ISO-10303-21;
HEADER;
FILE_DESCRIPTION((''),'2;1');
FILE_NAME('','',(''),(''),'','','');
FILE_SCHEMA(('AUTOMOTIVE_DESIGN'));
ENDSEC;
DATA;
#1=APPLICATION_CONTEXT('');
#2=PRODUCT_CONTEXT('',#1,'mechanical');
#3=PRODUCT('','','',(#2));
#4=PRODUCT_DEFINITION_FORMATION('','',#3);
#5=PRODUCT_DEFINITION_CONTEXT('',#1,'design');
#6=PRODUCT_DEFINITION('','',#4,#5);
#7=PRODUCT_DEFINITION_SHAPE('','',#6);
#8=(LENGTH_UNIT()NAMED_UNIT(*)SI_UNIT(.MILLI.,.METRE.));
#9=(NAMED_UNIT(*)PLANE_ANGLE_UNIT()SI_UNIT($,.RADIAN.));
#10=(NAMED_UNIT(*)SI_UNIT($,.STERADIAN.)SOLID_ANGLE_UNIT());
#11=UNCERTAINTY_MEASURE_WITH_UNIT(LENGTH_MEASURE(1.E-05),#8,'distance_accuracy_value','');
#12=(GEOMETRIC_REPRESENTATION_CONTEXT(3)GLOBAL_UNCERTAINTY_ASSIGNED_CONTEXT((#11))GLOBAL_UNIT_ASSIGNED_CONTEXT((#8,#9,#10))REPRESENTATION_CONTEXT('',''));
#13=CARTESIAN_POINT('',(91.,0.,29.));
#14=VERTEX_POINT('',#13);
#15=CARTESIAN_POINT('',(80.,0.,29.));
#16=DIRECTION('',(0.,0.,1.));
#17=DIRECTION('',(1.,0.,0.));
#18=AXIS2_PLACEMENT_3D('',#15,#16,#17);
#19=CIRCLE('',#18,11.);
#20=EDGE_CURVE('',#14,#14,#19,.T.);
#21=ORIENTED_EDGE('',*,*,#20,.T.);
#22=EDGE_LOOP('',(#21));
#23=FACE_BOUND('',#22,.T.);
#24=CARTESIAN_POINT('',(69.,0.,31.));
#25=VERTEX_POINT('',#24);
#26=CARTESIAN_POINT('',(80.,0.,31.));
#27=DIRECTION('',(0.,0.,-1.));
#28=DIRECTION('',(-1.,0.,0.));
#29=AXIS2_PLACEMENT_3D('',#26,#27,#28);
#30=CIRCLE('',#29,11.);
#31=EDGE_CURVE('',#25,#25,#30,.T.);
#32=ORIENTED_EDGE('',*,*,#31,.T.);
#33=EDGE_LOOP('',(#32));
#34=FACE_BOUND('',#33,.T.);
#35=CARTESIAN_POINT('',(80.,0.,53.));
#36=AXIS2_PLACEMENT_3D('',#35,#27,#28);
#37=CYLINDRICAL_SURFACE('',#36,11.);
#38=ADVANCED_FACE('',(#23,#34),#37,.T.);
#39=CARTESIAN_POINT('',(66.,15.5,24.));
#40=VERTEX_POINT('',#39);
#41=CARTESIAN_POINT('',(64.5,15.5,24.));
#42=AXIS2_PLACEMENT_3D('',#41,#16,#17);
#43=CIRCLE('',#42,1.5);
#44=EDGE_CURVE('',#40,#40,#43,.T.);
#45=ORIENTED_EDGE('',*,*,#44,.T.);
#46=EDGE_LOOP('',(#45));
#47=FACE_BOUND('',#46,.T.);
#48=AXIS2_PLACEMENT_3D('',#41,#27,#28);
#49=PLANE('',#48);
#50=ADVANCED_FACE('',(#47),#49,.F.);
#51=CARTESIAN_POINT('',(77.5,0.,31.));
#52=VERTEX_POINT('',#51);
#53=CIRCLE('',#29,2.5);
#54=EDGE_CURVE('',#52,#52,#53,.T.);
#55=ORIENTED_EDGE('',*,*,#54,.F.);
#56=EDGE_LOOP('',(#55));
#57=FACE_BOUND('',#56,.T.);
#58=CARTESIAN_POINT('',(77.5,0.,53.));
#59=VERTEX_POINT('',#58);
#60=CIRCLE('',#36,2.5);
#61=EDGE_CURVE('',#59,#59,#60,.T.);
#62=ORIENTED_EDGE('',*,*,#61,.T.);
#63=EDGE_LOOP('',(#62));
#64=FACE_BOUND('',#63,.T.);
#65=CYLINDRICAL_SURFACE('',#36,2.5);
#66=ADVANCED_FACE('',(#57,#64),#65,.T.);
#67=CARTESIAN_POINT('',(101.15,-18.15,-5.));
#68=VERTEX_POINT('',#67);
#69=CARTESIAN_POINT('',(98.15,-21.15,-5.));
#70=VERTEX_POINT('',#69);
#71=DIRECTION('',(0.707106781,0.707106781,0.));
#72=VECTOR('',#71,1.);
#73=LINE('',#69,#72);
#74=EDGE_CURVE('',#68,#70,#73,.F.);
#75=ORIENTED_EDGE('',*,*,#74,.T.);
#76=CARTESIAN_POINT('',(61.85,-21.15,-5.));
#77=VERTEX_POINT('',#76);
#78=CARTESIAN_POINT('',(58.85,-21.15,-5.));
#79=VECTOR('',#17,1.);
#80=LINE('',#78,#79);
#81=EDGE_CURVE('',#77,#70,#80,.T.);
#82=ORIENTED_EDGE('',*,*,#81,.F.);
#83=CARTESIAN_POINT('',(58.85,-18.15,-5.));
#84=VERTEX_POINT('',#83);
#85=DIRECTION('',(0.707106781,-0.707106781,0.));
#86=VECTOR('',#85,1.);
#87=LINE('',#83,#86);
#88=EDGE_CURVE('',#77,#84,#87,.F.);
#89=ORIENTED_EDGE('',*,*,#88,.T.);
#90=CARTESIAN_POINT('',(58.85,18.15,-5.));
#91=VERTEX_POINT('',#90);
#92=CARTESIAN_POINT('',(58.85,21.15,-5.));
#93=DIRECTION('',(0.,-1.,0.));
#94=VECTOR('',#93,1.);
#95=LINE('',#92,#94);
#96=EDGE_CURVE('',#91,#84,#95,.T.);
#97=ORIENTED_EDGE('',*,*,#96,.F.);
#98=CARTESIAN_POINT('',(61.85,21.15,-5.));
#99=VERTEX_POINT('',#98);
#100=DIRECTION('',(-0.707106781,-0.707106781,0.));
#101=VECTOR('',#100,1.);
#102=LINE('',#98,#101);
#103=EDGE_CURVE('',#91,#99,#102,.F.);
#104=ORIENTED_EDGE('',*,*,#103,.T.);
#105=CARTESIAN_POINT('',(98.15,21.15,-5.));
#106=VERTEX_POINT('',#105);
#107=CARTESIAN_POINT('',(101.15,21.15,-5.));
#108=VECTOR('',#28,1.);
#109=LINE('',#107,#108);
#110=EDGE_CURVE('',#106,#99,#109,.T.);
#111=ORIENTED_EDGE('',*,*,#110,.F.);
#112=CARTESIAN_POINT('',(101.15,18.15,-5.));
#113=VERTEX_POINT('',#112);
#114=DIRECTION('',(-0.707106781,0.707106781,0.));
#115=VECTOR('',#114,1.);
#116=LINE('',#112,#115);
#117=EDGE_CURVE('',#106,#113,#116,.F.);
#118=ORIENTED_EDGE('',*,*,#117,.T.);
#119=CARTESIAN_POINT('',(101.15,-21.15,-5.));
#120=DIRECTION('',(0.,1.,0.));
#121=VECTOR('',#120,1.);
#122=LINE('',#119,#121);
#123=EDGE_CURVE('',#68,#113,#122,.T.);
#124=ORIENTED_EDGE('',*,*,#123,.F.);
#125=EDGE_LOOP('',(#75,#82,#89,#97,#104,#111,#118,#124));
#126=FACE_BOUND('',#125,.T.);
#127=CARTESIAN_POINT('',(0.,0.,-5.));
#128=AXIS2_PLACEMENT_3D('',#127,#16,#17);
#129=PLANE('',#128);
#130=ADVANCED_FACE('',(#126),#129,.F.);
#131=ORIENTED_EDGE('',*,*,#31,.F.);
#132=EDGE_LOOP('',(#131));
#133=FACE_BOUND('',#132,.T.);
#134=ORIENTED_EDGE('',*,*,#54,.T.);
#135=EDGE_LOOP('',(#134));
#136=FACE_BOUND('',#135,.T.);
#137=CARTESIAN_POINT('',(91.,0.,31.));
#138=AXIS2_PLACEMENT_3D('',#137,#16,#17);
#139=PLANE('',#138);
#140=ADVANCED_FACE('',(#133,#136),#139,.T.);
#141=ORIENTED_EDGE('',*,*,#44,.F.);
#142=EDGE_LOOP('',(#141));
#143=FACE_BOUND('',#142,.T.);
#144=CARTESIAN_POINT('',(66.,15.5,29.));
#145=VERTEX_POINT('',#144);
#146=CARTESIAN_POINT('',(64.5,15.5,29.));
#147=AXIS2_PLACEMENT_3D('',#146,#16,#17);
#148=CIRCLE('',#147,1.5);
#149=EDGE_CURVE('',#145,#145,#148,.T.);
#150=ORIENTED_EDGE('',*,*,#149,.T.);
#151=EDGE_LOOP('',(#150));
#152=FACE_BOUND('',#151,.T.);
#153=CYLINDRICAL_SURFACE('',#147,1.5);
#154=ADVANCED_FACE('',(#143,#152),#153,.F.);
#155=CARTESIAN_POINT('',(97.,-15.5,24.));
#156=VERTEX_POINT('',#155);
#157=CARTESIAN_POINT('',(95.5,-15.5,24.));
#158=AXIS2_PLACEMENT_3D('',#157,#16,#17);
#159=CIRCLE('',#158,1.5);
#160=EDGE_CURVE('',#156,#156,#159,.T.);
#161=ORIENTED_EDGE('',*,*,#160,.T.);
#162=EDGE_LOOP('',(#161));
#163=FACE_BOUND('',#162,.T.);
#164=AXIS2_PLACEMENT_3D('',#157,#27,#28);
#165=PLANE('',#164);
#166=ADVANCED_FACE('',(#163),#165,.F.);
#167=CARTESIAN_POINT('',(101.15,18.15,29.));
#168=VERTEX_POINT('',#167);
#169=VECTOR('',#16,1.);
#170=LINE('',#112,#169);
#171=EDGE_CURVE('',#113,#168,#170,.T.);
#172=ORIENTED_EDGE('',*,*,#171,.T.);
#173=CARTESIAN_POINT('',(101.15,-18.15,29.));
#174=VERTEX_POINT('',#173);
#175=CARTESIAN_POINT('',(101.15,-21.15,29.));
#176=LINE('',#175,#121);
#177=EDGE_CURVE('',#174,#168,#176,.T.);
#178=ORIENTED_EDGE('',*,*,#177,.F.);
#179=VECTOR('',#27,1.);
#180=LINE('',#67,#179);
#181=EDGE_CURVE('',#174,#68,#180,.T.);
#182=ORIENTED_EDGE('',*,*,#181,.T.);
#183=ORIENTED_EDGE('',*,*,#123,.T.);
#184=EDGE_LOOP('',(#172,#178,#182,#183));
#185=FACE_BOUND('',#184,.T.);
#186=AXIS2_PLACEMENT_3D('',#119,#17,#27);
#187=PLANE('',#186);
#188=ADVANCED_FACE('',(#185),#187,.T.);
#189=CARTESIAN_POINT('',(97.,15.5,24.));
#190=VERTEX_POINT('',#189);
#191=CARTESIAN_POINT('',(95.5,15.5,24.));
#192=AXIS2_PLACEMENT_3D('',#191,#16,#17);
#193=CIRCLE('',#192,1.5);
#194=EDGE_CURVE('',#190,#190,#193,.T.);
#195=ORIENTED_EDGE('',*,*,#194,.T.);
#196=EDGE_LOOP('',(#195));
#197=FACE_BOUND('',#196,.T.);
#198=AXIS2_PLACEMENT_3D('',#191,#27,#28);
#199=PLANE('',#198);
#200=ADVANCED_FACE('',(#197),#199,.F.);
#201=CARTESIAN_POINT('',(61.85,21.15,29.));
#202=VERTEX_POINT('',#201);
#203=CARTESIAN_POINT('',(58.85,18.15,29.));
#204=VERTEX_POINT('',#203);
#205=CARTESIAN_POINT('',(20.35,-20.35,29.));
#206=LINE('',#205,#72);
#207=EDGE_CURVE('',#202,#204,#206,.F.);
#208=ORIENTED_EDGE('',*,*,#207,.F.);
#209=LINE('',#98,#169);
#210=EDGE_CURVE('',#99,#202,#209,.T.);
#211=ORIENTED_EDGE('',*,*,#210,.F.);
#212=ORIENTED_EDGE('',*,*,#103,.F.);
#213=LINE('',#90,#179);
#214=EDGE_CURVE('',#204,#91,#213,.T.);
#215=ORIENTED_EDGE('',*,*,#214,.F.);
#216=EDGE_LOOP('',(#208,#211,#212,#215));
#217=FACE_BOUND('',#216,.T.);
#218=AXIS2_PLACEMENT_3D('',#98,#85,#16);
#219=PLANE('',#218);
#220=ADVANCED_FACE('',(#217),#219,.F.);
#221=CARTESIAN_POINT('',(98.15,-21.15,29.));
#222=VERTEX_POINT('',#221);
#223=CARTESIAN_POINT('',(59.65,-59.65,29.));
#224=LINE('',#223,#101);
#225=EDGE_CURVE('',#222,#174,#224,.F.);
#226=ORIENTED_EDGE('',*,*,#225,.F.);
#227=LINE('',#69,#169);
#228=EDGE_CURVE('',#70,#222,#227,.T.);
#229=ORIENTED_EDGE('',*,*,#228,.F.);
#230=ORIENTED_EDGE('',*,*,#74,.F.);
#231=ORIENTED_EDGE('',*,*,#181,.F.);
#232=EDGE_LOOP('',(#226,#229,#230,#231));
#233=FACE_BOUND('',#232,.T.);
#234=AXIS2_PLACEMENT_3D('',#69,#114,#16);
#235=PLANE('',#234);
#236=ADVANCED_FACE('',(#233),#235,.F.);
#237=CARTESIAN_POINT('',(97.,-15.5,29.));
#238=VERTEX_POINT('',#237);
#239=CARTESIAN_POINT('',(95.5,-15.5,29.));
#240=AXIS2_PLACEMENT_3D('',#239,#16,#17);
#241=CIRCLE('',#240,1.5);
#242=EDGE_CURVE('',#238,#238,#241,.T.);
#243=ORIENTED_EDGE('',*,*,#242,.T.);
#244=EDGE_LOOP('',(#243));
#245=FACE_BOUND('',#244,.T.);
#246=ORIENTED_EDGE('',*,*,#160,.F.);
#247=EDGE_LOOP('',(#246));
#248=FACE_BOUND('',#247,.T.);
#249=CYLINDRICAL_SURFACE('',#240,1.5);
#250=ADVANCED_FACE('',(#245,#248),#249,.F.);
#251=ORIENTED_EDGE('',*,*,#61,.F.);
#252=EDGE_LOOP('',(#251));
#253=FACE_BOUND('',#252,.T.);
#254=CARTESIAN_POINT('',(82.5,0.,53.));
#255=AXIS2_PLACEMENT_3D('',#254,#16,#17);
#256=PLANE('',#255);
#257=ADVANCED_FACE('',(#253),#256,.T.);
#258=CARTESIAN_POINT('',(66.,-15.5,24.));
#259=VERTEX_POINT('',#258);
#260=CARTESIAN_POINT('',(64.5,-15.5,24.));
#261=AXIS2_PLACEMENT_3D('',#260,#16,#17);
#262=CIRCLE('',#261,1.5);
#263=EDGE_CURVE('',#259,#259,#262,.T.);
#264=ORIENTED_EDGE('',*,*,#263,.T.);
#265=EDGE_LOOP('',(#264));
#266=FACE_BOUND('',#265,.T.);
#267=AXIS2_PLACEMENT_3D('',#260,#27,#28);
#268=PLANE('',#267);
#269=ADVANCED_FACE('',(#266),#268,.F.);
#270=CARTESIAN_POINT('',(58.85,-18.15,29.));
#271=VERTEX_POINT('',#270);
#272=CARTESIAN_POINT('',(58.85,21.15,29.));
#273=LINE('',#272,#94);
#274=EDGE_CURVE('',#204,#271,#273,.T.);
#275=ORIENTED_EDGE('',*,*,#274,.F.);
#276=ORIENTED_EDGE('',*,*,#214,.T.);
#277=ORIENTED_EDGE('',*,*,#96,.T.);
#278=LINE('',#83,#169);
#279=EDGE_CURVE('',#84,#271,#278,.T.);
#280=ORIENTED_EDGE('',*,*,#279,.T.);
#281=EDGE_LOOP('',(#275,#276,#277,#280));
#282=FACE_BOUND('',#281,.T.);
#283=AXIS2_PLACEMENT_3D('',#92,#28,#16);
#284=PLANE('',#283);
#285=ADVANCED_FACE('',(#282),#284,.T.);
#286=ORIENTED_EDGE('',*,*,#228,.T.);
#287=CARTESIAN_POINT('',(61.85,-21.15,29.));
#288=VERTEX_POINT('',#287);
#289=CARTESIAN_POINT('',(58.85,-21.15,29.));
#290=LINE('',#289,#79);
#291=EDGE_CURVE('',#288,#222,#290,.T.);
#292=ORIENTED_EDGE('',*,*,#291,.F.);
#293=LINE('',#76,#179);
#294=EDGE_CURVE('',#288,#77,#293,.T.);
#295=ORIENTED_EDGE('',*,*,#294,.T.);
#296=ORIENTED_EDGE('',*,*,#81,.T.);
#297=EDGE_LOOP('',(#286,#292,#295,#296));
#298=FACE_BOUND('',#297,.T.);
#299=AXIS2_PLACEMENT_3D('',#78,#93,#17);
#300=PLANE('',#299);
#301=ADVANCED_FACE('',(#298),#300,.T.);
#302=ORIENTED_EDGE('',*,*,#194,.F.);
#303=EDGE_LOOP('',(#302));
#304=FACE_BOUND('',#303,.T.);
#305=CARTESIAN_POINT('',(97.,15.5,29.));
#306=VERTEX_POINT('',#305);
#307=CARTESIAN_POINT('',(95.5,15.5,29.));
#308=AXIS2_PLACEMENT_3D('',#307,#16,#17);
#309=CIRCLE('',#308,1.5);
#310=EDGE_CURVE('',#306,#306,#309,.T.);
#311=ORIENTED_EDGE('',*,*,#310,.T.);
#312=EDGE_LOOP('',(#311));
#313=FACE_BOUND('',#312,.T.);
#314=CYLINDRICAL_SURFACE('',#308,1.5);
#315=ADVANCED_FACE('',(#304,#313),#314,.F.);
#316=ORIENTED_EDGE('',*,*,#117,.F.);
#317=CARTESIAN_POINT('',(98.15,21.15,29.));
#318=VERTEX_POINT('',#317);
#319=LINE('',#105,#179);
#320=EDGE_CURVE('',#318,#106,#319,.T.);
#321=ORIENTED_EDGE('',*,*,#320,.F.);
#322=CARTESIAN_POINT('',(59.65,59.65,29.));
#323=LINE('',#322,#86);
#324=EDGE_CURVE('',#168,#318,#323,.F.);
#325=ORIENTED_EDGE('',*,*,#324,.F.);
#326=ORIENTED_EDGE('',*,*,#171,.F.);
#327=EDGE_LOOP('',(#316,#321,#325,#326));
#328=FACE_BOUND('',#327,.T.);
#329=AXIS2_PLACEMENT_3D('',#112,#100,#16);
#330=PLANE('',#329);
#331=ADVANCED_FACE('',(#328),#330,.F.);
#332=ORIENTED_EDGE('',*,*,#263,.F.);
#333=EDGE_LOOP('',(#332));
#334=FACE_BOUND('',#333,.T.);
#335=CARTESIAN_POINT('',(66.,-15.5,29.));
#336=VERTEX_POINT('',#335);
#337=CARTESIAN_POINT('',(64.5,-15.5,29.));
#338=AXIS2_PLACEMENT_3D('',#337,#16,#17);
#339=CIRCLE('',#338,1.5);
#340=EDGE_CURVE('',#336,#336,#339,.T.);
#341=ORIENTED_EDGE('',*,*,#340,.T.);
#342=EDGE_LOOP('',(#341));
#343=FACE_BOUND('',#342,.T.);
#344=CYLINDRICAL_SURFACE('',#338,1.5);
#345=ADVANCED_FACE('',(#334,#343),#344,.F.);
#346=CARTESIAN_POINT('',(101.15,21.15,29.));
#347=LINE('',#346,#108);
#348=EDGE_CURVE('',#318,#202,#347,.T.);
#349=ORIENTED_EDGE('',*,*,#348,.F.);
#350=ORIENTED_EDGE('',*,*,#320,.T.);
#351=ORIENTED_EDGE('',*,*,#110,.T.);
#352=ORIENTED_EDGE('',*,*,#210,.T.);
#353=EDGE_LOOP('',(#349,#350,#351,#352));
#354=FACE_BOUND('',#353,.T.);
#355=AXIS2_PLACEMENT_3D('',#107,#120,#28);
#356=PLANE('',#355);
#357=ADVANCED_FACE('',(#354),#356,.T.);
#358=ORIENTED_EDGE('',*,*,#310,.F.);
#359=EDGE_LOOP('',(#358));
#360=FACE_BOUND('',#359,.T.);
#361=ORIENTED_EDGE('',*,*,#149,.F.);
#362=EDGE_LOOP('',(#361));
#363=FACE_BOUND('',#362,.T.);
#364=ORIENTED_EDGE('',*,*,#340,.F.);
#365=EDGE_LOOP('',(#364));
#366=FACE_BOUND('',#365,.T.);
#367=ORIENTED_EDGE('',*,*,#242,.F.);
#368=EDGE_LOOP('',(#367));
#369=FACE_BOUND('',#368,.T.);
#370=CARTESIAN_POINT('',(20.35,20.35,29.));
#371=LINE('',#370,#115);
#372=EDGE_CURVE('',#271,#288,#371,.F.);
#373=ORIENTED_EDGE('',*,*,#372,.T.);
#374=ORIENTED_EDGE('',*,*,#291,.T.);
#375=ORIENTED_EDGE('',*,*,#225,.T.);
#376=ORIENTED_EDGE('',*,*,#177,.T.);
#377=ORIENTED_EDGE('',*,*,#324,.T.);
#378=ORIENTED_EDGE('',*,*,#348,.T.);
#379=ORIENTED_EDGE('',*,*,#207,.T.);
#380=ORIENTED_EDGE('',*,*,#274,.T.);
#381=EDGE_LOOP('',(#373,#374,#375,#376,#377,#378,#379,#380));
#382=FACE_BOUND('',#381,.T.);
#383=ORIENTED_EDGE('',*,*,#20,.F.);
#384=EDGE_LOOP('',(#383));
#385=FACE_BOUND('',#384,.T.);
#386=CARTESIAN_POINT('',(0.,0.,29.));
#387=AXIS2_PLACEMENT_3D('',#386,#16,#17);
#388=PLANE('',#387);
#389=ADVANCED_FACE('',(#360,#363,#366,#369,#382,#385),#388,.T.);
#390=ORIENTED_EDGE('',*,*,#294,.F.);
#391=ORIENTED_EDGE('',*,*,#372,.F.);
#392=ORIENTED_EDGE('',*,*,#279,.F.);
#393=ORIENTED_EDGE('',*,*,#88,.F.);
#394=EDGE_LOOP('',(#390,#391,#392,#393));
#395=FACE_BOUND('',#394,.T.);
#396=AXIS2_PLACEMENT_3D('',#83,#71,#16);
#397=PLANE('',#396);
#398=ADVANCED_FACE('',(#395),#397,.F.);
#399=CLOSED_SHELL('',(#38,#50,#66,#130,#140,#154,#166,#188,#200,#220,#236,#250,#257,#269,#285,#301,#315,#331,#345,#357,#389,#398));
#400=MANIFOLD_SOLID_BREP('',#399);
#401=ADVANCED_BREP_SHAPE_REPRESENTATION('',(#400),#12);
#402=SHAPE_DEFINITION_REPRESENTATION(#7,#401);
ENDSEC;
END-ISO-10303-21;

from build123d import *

# Parameters (mm, degrees)
SKETCH_1_W                = 42.3
SKETCH_1_H                = 42.3
EXTRUDE_1_DEPTH           = 34
HOLE_WIZARD_3_0_3_1_D     = 3
HOLE_WIZARD_3_0_3_1_DEPTH = 5
CHAMFER_1_SIZE            = 3


with BuildPart() as part:
    # 草图1 → 凸台-拉伸1 (new body)
    with BuildSketch(Plane.XY.offset(29)):
        with Locations((80, 0)):
            Rectangle(SKETCH_1_W, SKETCH_1_H)
    extrude(amount=-EXTRUDE_1_DEPTH)

    # 草图2 → 旋转1 (revolve)
    with BuildSketch(Plane.XZ):
        Polygon((82.5, 53), (80, 53), (80, 29), (91, 29), (91, 31), (82.5, 31), align=None)
    revolve(axis=Axis((80, 0, 53), (0, 0, -1)))

    # Ø3.0 (3) 直径孔1
    with Locations(Plane.XY.offset(29)):
        with Locations((95.5, 15.5), (95.5, -15.5), (64.5, -15.5), (64.5, 15.5)):
            Hole(HOLE_WIZARD_3_0_3_1_D / 2, depth=HOLE_WIZARD_3_0_3_1_DEPTH)

    # 倒角1
    chamfer_1_edges = [part.edges().sort_by_distance(p)[0] for p in [
        (58.85, 21.15, 12),
        (101.15, 21.15, 12),
        (101.15, -21.15, 12),
        (58.85, -21.15, 12),
    ]]
    chamfer(chamfer_1_edges, length=CHAMFER_1_SIZE)


solid = part.part
